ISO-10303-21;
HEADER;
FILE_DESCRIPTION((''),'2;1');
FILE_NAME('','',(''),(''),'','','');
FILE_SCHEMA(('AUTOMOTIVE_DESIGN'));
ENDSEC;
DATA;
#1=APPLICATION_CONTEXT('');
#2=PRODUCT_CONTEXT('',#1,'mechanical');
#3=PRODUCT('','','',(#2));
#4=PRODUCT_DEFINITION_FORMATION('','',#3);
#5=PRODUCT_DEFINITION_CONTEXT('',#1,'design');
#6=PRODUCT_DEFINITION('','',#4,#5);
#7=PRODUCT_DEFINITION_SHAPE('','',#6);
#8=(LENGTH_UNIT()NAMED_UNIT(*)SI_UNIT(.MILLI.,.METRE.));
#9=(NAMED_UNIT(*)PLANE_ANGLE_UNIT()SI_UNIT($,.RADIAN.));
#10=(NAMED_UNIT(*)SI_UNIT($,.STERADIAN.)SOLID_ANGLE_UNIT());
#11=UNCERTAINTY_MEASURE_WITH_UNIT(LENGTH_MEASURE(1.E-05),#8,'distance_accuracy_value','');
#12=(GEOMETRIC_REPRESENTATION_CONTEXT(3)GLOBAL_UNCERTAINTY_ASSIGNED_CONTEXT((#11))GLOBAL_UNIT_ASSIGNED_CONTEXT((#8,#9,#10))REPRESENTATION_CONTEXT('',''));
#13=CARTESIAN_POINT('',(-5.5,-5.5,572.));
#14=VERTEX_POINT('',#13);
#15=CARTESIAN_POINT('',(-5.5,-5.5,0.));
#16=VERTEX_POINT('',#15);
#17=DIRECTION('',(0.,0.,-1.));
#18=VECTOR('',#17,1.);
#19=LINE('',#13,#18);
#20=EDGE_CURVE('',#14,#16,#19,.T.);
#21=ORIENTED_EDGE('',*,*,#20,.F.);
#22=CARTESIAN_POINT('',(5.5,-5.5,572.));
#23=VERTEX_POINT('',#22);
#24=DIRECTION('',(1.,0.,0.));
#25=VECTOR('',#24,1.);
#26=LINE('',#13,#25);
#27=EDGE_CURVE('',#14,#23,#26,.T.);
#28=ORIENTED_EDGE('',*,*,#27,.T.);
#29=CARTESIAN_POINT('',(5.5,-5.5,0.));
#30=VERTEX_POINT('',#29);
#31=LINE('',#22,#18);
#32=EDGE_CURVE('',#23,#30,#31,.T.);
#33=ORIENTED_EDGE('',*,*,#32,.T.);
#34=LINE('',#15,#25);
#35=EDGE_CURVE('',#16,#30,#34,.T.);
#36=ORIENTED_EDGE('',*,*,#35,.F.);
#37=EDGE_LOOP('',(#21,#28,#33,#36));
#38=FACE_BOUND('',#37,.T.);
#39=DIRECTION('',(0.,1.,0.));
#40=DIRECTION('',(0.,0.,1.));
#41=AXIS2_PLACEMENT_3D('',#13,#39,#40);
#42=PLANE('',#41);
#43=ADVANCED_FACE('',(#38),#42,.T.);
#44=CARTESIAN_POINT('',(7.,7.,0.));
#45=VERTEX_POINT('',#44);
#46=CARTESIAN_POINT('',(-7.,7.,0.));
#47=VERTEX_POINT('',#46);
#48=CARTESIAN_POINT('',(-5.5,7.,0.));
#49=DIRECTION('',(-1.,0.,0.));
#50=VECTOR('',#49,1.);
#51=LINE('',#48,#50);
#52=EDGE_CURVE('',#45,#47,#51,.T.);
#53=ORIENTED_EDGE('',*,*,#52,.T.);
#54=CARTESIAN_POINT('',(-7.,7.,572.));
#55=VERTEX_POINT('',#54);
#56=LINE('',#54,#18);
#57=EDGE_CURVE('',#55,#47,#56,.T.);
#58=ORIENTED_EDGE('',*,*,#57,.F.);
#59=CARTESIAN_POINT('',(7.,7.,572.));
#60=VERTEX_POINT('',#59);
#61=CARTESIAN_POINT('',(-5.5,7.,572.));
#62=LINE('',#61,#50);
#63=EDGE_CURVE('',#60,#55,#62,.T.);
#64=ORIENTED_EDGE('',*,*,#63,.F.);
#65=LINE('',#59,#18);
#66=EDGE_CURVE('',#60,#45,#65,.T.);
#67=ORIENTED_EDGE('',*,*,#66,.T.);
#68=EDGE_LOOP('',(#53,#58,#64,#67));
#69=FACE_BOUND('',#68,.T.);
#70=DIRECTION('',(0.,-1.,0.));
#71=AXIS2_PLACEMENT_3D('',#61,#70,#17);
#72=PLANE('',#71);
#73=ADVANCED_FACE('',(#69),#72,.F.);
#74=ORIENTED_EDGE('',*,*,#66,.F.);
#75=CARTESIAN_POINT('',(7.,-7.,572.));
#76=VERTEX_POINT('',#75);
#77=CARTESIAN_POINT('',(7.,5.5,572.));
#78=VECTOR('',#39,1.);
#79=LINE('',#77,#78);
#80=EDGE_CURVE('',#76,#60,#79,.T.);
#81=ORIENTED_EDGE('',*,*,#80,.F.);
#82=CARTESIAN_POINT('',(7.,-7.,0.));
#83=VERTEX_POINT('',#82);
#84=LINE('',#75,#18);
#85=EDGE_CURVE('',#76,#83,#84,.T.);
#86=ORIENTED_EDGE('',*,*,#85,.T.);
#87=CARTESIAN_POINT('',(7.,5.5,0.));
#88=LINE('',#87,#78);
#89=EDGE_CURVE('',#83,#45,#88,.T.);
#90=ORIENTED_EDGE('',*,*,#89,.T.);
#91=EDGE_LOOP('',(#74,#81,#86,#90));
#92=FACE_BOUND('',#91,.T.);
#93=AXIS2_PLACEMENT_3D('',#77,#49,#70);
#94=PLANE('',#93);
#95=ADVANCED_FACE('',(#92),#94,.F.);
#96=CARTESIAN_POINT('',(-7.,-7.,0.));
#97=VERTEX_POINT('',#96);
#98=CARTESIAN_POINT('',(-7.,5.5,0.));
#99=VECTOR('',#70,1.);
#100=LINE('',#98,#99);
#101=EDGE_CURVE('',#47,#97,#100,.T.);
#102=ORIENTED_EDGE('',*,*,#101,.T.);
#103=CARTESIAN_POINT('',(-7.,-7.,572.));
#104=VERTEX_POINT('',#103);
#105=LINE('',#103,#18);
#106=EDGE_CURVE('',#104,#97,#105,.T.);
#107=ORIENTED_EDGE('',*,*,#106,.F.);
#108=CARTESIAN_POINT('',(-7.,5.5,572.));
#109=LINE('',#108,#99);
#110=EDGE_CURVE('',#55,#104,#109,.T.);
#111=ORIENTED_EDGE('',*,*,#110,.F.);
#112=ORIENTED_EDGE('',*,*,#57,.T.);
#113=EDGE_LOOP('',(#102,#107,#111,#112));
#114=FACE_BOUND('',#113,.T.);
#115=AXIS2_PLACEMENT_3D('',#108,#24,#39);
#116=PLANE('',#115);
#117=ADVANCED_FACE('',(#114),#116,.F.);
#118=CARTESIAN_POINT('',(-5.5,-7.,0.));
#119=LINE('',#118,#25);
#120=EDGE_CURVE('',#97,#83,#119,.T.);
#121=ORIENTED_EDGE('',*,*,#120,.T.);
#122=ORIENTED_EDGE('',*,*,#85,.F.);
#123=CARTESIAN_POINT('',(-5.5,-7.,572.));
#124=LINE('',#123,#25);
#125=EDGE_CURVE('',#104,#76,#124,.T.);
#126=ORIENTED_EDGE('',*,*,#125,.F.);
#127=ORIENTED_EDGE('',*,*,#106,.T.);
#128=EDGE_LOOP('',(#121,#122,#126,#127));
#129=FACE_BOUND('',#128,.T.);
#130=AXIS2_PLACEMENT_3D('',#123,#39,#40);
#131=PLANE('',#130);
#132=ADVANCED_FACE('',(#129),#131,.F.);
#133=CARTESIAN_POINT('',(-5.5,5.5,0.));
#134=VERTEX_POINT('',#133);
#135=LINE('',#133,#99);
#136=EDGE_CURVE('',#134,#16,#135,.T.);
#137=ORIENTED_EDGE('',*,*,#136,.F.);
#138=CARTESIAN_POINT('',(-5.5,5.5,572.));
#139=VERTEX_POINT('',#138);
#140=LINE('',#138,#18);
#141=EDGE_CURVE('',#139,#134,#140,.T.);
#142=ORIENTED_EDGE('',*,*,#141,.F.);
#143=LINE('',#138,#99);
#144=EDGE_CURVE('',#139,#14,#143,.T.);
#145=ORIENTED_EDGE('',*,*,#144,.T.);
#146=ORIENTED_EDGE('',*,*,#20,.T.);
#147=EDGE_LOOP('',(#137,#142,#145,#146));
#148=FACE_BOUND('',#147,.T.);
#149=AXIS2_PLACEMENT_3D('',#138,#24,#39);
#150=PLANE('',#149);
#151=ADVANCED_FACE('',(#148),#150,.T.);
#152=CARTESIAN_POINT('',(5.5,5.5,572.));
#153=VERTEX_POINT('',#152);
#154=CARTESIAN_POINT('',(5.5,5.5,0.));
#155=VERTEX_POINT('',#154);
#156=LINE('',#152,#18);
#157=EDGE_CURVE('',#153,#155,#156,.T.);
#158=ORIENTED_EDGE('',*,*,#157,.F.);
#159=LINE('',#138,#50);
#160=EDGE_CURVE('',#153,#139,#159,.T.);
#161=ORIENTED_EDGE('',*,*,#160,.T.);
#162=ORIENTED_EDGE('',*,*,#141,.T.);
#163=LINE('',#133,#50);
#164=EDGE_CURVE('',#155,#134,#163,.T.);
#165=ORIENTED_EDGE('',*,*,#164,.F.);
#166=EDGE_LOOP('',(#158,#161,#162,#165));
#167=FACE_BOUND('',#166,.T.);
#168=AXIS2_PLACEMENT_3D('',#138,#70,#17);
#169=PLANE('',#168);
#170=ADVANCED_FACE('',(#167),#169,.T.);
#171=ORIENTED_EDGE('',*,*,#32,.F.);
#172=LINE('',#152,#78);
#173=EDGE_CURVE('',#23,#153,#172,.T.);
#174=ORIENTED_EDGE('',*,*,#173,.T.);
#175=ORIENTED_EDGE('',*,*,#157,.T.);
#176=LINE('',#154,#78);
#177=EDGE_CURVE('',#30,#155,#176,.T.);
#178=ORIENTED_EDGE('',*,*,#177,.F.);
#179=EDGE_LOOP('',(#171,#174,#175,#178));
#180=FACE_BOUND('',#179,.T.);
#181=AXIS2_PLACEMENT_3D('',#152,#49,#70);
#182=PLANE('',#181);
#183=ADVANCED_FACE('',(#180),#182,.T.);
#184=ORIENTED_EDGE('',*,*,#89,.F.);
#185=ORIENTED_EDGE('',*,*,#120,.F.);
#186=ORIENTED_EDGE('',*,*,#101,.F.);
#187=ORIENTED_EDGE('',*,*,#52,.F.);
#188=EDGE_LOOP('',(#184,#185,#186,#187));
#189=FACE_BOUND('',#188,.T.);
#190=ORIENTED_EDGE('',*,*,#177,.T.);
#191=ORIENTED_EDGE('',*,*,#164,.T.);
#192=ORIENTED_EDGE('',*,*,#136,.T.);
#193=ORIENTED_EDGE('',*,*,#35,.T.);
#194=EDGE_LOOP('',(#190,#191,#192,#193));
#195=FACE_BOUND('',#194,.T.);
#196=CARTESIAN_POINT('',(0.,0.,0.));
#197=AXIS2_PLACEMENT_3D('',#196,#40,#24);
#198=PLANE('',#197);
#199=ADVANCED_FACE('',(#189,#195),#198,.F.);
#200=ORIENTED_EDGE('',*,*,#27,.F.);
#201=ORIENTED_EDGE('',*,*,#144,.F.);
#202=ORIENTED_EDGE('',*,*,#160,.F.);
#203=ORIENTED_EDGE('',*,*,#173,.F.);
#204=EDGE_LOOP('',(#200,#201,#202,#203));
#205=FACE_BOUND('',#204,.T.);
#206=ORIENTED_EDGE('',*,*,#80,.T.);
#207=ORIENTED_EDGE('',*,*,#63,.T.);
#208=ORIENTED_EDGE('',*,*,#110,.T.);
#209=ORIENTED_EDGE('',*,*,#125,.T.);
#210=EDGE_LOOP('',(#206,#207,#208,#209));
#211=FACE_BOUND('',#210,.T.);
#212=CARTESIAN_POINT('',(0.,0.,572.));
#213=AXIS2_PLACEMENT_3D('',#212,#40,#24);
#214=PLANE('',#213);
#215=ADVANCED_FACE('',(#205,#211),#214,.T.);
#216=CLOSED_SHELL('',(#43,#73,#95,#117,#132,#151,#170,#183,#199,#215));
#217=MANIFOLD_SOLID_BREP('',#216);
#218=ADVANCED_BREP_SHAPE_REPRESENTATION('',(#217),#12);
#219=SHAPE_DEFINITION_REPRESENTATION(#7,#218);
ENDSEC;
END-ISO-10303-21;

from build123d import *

# Parameters (mm, degrees)
SKETCH_1_W      = 14
SKETCH_1_H      = 14
SKETCH_1_W_2    = 11
SKETCH_1_H_2    = 11
EXTRUDE_1_DEPTH = 572


with BuildPart() as part:
    # 草图1 → 拉伸-薄壁1 (new body)
    with BuildSketch(Plane.XY):
        Rectangle(SKETCH_1_W, SKETCH_1_H)
        Rectangle(SKETCH_1_W_2, SKETCH_1_H_2, mode=Mode.SUBTRACT)
    extrude(amount=EXTRUDE_1_DEPTH)


solid = part.part
